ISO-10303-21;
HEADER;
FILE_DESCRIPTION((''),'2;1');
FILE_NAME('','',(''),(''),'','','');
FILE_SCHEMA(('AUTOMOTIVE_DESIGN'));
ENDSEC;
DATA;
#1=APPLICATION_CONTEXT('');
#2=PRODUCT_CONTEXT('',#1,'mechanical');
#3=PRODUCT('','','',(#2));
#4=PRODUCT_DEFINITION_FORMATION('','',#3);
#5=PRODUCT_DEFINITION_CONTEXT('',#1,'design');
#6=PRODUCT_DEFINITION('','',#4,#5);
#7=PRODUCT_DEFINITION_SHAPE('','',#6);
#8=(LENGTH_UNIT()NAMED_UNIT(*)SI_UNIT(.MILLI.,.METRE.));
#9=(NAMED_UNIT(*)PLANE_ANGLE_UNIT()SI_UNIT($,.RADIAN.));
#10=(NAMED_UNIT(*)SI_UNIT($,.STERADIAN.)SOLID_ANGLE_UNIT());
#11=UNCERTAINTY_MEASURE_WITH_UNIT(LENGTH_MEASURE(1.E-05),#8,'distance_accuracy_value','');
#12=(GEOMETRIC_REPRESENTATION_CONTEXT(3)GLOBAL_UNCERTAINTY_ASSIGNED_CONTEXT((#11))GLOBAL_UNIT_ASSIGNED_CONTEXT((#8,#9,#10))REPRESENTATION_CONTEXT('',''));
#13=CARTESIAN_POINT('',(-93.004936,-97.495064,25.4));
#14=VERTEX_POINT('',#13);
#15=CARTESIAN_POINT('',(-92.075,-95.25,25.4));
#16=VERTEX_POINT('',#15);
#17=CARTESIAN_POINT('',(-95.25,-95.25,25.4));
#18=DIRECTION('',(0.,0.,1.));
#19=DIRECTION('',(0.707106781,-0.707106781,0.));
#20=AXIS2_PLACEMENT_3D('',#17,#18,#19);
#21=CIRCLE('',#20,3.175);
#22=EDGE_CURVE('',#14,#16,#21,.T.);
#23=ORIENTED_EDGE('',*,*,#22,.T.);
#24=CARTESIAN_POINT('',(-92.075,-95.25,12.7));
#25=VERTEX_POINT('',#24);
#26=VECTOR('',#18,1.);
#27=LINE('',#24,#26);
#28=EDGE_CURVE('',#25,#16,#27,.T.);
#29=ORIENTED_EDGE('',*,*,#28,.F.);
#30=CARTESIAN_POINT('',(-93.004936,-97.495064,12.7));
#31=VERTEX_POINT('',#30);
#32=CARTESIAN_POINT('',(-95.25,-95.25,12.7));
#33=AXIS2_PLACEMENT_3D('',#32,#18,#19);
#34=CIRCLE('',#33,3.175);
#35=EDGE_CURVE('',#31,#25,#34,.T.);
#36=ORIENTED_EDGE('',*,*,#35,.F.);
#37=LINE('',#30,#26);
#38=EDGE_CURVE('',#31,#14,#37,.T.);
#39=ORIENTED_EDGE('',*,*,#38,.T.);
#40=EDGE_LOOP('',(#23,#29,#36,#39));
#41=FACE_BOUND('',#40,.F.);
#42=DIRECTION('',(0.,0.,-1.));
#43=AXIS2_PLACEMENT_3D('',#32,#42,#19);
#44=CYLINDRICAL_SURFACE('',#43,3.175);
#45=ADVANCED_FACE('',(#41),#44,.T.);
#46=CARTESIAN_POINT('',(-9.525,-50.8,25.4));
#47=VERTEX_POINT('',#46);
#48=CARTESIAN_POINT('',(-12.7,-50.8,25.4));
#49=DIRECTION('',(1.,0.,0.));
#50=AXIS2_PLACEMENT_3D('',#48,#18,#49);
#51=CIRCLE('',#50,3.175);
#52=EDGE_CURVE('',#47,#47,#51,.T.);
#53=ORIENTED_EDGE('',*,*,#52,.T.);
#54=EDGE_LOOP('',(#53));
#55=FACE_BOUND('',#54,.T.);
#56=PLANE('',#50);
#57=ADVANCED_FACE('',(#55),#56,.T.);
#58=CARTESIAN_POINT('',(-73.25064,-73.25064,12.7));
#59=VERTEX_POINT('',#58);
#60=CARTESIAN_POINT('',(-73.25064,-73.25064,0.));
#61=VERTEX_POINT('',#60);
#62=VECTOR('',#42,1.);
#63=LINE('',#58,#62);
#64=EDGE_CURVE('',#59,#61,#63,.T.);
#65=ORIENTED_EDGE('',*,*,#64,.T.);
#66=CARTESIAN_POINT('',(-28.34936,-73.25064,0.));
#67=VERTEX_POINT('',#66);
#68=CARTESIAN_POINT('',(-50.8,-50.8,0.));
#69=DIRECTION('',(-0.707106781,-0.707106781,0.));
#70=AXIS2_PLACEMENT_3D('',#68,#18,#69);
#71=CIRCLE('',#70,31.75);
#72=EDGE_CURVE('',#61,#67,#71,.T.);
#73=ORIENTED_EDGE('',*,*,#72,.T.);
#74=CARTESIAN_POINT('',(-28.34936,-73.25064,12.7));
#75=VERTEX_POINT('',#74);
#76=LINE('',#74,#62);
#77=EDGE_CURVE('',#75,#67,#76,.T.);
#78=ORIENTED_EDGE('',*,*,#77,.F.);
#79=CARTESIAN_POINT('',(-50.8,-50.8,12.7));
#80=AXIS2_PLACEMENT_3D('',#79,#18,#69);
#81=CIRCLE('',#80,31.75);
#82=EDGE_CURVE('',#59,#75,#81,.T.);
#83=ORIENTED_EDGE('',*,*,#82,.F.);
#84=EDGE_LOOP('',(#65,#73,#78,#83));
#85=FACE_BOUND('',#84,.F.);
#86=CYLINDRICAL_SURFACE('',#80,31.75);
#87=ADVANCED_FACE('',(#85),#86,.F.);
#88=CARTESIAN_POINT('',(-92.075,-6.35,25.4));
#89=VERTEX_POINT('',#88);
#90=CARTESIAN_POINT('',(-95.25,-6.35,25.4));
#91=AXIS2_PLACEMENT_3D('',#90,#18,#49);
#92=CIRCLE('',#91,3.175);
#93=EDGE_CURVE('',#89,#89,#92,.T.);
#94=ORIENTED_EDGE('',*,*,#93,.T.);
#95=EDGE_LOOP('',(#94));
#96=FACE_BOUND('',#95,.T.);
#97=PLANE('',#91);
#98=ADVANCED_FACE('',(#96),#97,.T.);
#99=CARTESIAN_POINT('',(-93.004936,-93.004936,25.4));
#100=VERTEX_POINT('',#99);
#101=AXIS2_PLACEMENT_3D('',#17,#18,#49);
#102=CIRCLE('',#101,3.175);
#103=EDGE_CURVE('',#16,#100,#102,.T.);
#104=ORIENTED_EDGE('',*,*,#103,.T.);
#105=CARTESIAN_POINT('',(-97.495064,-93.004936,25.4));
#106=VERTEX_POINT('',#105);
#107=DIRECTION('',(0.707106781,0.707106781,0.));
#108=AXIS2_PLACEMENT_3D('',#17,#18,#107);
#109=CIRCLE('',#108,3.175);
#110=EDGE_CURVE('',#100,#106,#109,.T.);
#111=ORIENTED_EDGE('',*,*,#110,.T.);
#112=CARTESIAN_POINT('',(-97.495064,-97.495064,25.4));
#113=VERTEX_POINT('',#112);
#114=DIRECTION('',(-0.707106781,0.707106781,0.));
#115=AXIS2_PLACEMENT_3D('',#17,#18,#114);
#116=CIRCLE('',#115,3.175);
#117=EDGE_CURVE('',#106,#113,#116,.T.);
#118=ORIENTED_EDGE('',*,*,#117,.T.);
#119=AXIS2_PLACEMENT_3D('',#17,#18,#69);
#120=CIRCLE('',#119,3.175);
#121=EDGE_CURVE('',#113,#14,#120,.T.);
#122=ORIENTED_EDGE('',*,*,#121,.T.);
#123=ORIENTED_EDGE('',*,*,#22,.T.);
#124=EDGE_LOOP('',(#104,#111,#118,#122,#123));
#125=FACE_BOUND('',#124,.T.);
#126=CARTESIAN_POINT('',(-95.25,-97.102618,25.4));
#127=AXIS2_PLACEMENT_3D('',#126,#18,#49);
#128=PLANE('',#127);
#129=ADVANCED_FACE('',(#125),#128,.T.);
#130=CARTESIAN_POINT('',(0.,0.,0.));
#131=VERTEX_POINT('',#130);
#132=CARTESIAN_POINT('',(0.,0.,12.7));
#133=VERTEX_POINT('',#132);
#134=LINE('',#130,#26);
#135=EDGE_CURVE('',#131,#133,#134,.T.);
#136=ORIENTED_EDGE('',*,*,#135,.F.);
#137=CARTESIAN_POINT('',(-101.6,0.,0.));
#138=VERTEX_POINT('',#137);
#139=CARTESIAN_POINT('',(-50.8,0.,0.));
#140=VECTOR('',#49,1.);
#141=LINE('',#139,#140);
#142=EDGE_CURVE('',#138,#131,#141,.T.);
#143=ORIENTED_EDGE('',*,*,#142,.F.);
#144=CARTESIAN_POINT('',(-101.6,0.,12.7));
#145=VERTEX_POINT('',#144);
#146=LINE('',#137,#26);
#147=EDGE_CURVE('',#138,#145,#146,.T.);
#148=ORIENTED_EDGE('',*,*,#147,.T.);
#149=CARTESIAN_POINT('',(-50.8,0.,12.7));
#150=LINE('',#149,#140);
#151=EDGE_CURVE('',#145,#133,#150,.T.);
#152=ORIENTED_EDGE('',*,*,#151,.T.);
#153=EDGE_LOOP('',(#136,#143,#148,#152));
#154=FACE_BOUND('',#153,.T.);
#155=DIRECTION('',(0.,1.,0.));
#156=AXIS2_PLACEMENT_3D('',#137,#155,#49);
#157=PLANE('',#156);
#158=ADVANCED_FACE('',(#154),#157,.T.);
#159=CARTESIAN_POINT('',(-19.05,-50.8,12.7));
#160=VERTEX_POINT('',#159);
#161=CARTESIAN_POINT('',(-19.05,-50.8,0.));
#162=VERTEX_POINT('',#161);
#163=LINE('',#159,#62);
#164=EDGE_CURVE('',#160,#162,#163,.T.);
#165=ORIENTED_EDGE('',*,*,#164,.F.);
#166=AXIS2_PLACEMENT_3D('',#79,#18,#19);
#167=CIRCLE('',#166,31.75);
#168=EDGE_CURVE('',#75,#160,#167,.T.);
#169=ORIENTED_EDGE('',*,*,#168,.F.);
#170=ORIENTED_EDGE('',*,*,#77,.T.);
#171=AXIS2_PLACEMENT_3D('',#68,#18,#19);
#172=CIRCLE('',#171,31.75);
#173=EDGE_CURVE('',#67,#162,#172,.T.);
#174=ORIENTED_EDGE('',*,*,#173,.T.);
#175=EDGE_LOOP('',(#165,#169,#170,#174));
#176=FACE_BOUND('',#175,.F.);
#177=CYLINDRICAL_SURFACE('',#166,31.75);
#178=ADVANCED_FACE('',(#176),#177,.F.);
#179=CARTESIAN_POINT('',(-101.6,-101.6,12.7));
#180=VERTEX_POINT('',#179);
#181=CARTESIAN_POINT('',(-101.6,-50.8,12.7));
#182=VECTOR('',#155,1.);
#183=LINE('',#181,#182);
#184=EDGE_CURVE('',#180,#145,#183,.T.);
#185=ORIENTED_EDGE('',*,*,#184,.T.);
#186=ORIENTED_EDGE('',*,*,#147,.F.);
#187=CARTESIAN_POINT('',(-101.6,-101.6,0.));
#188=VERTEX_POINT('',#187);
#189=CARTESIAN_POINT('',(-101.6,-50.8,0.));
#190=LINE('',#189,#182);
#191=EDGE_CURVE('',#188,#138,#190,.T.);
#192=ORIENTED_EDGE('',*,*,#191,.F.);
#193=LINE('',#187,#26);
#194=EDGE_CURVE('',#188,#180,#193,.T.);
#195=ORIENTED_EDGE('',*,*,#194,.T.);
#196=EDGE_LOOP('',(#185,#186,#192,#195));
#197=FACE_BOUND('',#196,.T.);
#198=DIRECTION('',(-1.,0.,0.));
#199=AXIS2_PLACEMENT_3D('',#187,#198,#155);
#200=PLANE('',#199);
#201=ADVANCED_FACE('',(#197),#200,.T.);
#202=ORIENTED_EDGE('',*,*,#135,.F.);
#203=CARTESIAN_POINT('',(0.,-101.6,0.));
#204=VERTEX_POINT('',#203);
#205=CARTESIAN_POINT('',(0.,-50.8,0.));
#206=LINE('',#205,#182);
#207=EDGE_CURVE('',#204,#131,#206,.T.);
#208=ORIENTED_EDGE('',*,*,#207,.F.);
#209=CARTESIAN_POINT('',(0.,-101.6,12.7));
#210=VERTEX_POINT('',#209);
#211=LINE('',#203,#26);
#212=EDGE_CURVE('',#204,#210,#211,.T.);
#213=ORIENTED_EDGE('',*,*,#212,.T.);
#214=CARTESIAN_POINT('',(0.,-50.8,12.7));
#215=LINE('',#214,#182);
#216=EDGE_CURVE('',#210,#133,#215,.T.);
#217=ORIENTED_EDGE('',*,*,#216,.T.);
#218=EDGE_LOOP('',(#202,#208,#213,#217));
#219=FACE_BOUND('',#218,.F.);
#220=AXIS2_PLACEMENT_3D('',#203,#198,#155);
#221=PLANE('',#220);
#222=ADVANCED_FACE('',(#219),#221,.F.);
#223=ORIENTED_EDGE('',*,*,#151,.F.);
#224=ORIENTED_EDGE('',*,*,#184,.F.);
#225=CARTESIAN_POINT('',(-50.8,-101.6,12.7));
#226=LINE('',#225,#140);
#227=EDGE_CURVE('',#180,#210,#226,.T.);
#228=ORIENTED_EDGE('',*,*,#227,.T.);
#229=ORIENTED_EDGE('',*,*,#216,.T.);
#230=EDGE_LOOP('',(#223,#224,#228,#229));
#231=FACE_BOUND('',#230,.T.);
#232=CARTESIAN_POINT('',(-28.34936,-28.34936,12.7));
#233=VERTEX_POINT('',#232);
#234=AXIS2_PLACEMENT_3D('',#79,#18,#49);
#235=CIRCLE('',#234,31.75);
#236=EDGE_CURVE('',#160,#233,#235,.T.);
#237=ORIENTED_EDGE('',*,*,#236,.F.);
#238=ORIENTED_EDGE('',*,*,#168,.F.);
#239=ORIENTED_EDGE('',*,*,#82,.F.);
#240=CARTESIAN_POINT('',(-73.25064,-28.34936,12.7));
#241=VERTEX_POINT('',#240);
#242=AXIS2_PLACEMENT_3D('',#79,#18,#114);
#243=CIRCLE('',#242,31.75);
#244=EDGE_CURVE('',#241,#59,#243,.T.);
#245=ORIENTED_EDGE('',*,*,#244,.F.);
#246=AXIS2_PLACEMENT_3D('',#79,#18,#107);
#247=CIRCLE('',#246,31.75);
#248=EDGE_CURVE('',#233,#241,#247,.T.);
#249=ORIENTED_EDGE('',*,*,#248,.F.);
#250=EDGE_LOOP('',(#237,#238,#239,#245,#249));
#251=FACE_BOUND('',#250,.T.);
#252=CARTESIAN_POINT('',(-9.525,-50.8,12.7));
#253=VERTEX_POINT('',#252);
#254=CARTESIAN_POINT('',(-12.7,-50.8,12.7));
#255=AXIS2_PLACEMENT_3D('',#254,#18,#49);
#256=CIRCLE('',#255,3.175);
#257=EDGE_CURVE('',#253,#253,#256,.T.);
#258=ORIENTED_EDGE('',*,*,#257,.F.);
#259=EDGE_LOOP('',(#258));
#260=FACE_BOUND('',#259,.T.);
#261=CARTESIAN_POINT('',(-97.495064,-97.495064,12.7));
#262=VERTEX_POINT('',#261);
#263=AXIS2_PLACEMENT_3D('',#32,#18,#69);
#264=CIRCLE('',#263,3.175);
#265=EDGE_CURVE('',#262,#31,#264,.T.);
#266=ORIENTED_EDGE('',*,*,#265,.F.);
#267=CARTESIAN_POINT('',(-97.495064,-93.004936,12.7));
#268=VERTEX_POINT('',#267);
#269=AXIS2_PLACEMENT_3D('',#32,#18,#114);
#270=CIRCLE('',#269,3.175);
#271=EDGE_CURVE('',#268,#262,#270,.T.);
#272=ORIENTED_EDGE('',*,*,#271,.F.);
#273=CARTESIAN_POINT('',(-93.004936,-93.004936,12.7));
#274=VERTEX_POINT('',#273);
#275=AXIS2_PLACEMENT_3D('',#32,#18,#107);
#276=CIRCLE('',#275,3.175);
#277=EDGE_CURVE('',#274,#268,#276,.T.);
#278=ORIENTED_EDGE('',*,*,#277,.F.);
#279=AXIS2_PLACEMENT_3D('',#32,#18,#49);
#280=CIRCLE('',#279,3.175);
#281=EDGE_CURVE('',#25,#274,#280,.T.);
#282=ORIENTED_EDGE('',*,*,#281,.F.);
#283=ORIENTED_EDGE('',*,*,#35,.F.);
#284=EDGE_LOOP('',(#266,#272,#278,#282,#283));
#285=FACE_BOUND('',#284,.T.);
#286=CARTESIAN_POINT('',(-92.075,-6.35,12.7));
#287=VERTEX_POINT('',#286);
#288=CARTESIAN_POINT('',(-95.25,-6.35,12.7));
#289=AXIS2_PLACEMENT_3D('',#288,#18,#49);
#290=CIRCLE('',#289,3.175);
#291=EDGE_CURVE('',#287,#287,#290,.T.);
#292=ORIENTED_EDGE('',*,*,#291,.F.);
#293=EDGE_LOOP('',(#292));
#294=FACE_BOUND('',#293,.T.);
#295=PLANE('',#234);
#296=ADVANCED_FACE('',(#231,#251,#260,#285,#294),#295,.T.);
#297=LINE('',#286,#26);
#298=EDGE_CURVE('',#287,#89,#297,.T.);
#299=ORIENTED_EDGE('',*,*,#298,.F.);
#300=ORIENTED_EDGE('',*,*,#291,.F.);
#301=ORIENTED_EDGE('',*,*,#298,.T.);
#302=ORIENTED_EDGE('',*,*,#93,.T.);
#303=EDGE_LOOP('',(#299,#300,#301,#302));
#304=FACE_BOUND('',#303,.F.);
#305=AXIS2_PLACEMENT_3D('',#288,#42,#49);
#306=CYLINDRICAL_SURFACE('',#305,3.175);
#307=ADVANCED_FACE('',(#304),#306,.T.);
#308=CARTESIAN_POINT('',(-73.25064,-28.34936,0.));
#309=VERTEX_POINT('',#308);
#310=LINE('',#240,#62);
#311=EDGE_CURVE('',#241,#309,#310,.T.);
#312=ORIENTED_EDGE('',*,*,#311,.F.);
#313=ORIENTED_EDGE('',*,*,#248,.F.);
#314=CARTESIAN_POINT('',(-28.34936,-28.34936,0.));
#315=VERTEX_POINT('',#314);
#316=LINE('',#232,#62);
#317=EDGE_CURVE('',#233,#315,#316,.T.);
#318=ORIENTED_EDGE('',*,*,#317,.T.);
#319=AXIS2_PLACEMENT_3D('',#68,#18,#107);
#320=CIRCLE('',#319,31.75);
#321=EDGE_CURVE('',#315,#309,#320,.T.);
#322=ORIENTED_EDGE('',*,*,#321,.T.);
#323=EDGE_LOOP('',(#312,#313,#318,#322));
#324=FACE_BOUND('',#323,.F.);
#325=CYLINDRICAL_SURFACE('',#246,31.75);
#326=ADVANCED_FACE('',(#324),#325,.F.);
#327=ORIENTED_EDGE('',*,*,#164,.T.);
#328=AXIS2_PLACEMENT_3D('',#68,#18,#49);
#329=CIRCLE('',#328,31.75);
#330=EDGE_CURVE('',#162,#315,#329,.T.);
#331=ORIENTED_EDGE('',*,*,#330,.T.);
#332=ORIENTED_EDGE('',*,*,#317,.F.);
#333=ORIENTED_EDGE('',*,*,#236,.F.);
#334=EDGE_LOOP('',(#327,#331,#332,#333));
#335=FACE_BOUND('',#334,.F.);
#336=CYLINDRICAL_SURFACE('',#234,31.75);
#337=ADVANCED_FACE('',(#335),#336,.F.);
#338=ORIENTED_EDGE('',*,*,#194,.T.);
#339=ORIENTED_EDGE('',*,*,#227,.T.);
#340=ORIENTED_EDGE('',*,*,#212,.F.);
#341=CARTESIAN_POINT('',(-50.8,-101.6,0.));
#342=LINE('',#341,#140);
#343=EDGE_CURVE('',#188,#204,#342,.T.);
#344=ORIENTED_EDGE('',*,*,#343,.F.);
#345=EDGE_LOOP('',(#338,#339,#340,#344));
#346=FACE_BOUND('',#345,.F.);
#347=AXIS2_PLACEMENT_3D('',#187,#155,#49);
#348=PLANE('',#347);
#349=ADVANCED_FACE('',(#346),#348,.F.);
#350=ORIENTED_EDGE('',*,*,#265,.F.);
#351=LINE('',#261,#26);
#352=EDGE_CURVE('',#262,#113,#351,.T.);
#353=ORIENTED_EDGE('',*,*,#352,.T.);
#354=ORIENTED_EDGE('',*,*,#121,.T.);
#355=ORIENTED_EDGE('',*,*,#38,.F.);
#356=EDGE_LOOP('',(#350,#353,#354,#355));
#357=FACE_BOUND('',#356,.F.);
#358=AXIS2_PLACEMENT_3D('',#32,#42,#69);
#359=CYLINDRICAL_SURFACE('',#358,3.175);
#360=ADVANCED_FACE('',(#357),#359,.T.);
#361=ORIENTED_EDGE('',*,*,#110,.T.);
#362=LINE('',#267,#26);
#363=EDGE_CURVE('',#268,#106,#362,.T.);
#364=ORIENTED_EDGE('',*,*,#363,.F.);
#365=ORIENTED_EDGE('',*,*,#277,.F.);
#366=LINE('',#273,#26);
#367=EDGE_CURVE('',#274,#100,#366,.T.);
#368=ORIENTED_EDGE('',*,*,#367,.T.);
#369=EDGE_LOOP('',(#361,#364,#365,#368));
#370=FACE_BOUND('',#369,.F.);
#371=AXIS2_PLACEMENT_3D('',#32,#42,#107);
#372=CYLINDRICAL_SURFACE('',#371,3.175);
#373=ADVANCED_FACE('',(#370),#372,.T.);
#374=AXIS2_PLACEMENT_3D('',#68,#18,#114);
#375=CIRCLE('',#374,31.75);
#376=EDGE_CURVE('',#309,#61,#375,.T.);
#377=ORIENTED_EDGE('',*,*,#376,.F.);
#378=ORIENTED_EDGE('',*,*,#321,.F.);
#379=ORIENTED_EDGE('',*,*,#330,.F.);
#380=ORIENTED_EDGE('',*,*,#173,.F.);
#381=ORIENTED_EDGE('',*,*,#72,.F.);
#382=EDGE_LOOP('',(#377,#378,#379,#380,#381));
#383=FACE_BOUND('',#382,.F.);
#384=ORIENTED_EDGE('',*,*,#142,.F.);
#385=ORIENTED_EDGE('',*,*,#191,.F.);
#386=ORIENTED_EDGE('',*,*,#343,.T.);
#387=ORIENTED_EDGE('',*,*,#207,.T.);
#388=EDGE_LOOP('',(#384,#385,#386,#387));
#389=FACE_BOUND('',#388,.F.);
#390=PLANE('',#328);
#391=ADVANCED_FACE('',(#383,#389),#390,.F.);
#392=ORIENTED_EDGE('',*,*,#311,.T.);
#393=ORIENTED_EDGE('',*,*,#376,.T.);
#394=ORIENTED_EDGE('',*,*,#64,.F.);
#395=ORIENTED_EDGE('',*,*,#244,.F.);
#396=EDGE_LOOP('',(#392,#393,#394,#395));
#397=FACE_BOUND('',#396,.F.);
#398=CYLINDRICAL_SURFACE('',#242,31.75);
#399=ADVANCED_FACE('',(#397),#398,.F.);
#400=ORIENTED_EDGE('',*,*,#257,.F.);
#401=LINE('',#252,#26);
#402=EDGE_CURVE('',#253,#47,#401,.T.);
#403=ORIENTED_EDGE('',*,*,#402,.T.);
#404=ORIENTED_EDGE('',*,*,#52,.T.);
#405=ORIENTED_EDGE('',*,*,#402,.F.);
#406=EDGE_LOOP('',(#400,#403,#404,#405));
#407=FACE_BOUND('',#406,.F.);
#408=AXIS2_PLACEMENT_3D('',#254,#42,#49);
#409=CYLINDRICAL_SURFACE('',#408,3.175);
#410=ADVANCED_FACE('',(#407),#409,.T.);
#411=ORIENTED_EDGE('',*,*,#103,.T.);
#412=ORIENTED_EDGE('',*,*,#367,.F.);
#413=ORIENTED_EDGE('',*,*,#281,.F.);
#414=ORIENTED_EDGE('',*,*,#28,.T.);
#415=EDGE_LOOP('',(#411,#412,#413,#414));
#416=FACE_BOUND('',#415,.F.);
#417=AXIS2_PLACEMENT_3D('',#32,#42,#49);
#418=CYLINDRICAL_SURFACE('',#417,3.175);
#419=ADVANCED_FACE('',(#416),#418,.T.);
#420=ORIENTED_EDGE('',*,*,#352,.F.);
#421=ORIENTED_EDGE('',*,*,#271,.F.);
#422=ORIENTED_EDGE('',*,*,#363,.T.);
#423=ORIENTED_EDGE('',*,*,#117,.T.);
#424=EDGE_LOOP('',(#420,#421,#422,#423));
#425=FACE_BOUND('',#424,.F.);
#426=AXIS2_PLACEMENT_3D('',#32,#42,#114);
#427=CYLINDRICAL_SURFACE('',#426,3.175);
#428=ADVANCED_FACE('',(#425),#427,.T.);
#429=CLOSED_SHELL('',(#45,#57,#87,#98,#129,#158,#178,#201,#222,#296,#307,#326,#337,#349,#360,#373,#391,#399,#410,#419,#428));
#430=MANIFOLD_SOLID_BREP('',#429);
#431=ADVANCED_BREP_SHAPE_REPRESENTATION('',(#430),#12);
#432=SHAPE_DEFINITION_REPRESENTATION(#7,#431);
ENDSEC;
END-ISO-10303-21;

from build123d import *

# Parameters (mm, degrees)
F0_W     = 101.6
F0_H     = 101.6
F1_DEPTH = 12.7
F2_R     = 3.175
F3_DEPTH = 12.7
F4_R     = 3.175
F5_DEPTH = 12.7
F7_DEPTH = 25.4


with BuildPart() as f1:
    # F0 (on Top) → F1 (new body)
    with BuildSketch(Plane.XY):
        with Locations((-50.8, -50.8)):
            Rectangle(F0_W, F0_H)
    extrude(amount=F1_DEPTH)

    # F2 (on face) → F3 (join)
    with BuildSketch(Plane.XY.offset(12.7)):
        with BuildLine():
            Line((-95.25, -95.25), (-97.4950640303, -97.4950640303))
            ThreePointArc((-97.4950640303, -97.4950640303), (-95.25, -98.425), (-93.0049359697, -97.4950640303))
            Line((-93.0049359697, -97.4950640303), (-95.25, -95.25))
        make_face()
        with BuildLine():
            ThreePointArc((-93.0049359697, -93.0049359697), (-95.25, -92.075), (-97.4950640303, -93.0049359697))
            Line((-97.4950640303, -93.0049359697), (-95.25, -95.25))
            Line((-95.25, -95.25), (-93.0049359697, -93.0049359697))
        make_face()
        with BuildLine():
            Line((-95.25, -95.25), (-93.0049359697, -97.4950640303))
            ThreePointArc((-93.0049359697, -97.4950640303), (-92.3166824843, -96.4650198978), (-92.075, -95.25))
            ThreePointArc((-92.075, -95.25), (-92.3166824843, -94.0349801022), (-93.0049359697, -93.0049359697))
            Line((-93.0049359697, -93.0049359697), (-95.25, -95.25))
        make_face()
        with BuildLine():
            ThreePointArc((-97.4950640303, -93.0049359697), (-98.425, -95.25), (-97.4950640303, -97.4950640303))
            Line((-97.4950640303, -97.4950640303), (-95.25, -95.25))
            Line((-95.25, -95.25), (-97.4950640303, -93.0049359697))
        make_face()
        with Locations((-95.25, -6.35)):
            Circle(F2_R)
    extrude(amount=F3_DEPTH)

    # F4 (on face) → F5 (join)
    with BuildSketch(Plane.XY.offset(12.7)):
        with Locations((-12.7, -50.8)):
            Circle(F4_R)
    extrude(amount=F5_DEPTH)

    # F6 (on face) → F7 (cut)
    with BuildSketch(Plane.XY.offset(12.7)):
        with BuildLine():
            ThreePointArc((-73.2506403027, -28.3493596973), (-82.55, -50.8), (-73.2506403027, -73.2506403027))
            Line((-73.2506403027, -73.2506403027), (-50.8, -50.8))
            Line((-50.8, -50.8), (-73.2506403027, -28.3493596973))
        make_face()
        with BuildLine():
            Line((-50.8, -50.8), (-28.3493596973, -28.3493596973))
            ThreePointArc((-28.3493596973, -28.3493596973), (-50.8, -19.05), (-73.2506403027, -28.3493596973))
            Line((-73.2506403027, -28.3493596973), (-50.8, -50.8))
        make_face()
        with BuildLine():
            Line((-50.8, -50.8), (-28.3493596973, -73.2506403027))
            ThreePointArc((-28.3493596973, -73.2506403027), (-21.4668248428, -62.9501989776), (-19.05, -50.8))
            ThreePointArc((-19.05, -50.8), (-21.4668248428, -38.6498010224), (-28.3493596973, -28.3493596973))
            Line((-28.3493596973, -28.3493596973), (-50.8, -50.8))
        make_face()
        with BuildLine():
            ThreePointArc((-73.2506403027, -73.2506403027), (-50.8, -82.55), (-28.3493596973, -73.2506403027))
            Line((-28.3493596973, -73.2506403027), (-50.8, -50.8))
            Line((-50.8, -50.8), (-73.2506403027, -73.2506403027))
        make_face()
    extrude(amount=-F7_DEPTH, mode=Mode.SUBTRACT)


solid = f1.part
